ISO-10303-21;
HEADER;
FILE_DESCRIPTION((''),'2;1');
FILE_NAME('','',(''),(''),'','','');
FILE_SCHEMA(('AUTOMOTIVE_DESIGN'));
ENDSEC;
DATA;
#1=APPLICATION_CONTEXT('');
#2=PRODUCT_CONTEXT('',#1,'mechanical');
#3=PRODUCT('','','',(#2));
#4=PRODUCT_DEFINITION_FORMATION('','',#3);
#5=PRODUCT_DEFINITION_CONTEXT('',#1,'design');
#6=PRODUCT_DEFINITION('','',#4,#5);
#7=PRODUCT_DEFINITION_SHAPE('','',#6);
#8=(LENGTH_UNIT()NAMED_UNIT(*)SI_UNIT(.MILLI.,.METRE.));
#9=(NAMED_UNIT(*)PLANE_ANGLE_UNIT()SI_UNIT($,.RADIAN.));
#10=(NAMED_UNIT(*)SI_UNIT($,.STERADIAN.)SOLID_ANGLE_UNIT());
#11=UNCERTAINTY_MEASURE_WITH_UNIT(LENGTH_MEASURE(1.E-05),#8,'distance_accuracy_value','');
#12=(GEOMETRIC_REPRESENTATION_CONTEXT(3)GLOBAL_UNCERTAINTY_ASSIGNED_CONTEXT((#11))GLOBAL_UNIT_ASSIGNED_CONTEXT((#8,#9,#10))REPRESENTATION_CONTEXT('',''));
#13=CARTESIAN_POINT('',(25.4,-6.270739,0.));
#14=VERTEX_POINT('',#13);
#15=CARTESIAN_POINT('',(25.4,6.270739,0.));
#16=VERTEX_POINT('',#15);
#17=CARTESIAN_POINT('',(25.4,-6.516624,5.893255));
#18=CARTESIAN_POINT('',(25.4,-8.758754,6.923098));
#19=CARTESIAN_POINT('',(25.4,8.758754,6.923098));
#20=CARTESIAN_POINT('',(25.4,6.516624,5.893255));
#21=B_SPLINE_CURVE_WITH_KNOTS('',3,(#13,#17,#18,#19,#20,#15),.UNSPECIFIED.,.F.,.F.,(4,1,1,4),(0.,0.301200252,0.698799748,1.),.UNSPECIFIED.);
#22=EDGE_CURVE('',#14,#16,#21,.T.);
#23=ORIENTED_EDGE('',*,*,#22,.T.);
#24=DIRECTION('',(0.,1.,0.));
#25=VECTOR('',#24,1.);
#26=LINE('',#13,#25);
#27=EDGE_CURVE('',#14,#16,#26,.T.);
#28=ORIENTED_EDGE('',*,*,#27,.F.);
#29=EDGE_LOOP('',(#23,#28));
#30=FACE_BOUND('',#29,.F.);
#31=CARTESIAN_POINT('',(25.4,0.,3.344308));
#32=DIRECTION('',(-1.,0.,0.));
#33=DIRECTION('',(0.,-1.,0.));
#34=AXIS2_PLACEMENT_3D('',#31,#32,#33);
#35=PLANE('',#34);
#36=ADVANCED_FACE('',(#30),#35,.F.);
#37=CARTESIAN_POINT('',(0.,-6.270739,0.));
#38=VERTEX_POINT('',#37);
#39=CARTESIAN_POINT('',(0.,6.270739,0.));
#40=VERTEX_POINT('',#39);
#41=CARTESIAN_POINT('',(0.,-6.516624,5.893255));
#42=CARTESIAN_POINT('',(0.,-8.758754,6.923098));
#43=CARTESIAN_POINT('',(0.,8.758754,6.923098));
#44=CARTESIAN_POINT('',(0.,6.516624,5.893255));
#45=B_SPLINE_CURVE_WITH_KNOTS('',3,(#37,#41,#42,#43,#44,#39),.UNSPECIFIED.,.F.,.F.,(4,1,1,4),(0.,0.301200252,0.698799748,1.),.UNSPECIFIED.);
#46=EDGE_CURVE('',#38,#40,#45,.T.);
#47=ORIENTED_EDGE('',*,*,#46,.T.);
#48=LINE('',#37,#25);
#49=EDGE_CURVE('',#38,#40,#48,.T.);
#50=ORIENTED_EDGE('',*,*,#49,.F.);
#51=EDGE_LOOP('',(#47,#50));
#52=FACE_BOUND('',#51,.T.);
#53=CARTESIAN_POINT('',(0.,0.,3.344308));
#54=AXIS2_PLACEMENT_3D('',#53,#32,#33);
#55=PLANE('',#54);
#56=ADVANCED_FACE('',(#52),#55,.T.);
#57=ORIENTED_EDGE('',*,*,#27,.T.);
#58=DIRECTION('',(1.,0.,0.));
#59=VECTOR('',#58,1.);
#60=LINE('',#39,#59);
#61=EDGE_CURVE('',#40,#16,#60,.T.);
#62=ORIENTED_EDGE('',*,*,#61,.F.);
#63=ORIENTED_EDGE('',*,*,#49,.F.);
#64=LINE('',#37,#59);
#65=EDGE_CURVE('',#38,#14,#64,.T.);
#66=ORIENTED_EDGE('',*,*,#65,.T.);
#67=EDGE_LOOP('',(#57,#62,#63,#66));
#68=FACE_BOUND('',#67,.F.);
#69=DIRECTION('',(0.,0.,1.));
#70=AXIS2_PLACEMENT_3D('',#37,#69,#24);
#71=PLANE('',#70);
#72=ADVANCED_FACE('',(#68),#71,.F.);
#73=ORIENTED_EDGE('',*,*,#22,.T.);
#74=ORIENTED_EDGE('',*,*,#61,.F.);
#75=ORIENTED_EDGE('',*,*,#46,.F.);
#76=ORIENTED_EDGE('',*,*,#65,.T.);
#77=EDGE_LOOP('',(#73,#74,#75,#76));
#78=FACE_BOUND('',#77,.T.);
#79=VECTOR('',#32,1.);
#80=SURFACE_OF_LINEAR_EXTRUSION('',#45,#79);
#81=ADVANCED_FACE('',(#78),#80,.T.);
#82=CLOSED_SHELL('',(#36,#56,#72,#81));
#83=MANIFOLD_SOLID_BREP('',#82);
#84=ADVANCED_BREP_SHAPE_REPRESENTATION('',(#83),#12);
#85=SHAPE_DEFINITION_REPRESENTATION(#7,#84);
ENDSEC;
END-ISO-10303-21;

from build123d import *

# Parameters (mm, degrees)
F1_DEPTH = 25.4


with BuildPart() as f1:
    # F0 (on Right) → F1 (new body)
    with BuildSketch(Plane.YZ):
        with BuildLine():
            add(Edge.make_bspline(
                [(-6.2707385997, 0), (-6.5166237764, 5.8932546526), (-8.7587536266, 6.9230984735), (8.7587536266, 6.9230984735), (6.5166237764, 5.8932546526), (6.2707385997, 0)],
                knots=[0, 0, 0, 0, 0.3012002521, 0.6987997479, 1, 1, 1, 1], degree=3))
            Line((-6.2707385997, 0), (6.2707385997, 0))
        make_face()
    extrude(amount=F1_DEPTH)


solid = f1.part
